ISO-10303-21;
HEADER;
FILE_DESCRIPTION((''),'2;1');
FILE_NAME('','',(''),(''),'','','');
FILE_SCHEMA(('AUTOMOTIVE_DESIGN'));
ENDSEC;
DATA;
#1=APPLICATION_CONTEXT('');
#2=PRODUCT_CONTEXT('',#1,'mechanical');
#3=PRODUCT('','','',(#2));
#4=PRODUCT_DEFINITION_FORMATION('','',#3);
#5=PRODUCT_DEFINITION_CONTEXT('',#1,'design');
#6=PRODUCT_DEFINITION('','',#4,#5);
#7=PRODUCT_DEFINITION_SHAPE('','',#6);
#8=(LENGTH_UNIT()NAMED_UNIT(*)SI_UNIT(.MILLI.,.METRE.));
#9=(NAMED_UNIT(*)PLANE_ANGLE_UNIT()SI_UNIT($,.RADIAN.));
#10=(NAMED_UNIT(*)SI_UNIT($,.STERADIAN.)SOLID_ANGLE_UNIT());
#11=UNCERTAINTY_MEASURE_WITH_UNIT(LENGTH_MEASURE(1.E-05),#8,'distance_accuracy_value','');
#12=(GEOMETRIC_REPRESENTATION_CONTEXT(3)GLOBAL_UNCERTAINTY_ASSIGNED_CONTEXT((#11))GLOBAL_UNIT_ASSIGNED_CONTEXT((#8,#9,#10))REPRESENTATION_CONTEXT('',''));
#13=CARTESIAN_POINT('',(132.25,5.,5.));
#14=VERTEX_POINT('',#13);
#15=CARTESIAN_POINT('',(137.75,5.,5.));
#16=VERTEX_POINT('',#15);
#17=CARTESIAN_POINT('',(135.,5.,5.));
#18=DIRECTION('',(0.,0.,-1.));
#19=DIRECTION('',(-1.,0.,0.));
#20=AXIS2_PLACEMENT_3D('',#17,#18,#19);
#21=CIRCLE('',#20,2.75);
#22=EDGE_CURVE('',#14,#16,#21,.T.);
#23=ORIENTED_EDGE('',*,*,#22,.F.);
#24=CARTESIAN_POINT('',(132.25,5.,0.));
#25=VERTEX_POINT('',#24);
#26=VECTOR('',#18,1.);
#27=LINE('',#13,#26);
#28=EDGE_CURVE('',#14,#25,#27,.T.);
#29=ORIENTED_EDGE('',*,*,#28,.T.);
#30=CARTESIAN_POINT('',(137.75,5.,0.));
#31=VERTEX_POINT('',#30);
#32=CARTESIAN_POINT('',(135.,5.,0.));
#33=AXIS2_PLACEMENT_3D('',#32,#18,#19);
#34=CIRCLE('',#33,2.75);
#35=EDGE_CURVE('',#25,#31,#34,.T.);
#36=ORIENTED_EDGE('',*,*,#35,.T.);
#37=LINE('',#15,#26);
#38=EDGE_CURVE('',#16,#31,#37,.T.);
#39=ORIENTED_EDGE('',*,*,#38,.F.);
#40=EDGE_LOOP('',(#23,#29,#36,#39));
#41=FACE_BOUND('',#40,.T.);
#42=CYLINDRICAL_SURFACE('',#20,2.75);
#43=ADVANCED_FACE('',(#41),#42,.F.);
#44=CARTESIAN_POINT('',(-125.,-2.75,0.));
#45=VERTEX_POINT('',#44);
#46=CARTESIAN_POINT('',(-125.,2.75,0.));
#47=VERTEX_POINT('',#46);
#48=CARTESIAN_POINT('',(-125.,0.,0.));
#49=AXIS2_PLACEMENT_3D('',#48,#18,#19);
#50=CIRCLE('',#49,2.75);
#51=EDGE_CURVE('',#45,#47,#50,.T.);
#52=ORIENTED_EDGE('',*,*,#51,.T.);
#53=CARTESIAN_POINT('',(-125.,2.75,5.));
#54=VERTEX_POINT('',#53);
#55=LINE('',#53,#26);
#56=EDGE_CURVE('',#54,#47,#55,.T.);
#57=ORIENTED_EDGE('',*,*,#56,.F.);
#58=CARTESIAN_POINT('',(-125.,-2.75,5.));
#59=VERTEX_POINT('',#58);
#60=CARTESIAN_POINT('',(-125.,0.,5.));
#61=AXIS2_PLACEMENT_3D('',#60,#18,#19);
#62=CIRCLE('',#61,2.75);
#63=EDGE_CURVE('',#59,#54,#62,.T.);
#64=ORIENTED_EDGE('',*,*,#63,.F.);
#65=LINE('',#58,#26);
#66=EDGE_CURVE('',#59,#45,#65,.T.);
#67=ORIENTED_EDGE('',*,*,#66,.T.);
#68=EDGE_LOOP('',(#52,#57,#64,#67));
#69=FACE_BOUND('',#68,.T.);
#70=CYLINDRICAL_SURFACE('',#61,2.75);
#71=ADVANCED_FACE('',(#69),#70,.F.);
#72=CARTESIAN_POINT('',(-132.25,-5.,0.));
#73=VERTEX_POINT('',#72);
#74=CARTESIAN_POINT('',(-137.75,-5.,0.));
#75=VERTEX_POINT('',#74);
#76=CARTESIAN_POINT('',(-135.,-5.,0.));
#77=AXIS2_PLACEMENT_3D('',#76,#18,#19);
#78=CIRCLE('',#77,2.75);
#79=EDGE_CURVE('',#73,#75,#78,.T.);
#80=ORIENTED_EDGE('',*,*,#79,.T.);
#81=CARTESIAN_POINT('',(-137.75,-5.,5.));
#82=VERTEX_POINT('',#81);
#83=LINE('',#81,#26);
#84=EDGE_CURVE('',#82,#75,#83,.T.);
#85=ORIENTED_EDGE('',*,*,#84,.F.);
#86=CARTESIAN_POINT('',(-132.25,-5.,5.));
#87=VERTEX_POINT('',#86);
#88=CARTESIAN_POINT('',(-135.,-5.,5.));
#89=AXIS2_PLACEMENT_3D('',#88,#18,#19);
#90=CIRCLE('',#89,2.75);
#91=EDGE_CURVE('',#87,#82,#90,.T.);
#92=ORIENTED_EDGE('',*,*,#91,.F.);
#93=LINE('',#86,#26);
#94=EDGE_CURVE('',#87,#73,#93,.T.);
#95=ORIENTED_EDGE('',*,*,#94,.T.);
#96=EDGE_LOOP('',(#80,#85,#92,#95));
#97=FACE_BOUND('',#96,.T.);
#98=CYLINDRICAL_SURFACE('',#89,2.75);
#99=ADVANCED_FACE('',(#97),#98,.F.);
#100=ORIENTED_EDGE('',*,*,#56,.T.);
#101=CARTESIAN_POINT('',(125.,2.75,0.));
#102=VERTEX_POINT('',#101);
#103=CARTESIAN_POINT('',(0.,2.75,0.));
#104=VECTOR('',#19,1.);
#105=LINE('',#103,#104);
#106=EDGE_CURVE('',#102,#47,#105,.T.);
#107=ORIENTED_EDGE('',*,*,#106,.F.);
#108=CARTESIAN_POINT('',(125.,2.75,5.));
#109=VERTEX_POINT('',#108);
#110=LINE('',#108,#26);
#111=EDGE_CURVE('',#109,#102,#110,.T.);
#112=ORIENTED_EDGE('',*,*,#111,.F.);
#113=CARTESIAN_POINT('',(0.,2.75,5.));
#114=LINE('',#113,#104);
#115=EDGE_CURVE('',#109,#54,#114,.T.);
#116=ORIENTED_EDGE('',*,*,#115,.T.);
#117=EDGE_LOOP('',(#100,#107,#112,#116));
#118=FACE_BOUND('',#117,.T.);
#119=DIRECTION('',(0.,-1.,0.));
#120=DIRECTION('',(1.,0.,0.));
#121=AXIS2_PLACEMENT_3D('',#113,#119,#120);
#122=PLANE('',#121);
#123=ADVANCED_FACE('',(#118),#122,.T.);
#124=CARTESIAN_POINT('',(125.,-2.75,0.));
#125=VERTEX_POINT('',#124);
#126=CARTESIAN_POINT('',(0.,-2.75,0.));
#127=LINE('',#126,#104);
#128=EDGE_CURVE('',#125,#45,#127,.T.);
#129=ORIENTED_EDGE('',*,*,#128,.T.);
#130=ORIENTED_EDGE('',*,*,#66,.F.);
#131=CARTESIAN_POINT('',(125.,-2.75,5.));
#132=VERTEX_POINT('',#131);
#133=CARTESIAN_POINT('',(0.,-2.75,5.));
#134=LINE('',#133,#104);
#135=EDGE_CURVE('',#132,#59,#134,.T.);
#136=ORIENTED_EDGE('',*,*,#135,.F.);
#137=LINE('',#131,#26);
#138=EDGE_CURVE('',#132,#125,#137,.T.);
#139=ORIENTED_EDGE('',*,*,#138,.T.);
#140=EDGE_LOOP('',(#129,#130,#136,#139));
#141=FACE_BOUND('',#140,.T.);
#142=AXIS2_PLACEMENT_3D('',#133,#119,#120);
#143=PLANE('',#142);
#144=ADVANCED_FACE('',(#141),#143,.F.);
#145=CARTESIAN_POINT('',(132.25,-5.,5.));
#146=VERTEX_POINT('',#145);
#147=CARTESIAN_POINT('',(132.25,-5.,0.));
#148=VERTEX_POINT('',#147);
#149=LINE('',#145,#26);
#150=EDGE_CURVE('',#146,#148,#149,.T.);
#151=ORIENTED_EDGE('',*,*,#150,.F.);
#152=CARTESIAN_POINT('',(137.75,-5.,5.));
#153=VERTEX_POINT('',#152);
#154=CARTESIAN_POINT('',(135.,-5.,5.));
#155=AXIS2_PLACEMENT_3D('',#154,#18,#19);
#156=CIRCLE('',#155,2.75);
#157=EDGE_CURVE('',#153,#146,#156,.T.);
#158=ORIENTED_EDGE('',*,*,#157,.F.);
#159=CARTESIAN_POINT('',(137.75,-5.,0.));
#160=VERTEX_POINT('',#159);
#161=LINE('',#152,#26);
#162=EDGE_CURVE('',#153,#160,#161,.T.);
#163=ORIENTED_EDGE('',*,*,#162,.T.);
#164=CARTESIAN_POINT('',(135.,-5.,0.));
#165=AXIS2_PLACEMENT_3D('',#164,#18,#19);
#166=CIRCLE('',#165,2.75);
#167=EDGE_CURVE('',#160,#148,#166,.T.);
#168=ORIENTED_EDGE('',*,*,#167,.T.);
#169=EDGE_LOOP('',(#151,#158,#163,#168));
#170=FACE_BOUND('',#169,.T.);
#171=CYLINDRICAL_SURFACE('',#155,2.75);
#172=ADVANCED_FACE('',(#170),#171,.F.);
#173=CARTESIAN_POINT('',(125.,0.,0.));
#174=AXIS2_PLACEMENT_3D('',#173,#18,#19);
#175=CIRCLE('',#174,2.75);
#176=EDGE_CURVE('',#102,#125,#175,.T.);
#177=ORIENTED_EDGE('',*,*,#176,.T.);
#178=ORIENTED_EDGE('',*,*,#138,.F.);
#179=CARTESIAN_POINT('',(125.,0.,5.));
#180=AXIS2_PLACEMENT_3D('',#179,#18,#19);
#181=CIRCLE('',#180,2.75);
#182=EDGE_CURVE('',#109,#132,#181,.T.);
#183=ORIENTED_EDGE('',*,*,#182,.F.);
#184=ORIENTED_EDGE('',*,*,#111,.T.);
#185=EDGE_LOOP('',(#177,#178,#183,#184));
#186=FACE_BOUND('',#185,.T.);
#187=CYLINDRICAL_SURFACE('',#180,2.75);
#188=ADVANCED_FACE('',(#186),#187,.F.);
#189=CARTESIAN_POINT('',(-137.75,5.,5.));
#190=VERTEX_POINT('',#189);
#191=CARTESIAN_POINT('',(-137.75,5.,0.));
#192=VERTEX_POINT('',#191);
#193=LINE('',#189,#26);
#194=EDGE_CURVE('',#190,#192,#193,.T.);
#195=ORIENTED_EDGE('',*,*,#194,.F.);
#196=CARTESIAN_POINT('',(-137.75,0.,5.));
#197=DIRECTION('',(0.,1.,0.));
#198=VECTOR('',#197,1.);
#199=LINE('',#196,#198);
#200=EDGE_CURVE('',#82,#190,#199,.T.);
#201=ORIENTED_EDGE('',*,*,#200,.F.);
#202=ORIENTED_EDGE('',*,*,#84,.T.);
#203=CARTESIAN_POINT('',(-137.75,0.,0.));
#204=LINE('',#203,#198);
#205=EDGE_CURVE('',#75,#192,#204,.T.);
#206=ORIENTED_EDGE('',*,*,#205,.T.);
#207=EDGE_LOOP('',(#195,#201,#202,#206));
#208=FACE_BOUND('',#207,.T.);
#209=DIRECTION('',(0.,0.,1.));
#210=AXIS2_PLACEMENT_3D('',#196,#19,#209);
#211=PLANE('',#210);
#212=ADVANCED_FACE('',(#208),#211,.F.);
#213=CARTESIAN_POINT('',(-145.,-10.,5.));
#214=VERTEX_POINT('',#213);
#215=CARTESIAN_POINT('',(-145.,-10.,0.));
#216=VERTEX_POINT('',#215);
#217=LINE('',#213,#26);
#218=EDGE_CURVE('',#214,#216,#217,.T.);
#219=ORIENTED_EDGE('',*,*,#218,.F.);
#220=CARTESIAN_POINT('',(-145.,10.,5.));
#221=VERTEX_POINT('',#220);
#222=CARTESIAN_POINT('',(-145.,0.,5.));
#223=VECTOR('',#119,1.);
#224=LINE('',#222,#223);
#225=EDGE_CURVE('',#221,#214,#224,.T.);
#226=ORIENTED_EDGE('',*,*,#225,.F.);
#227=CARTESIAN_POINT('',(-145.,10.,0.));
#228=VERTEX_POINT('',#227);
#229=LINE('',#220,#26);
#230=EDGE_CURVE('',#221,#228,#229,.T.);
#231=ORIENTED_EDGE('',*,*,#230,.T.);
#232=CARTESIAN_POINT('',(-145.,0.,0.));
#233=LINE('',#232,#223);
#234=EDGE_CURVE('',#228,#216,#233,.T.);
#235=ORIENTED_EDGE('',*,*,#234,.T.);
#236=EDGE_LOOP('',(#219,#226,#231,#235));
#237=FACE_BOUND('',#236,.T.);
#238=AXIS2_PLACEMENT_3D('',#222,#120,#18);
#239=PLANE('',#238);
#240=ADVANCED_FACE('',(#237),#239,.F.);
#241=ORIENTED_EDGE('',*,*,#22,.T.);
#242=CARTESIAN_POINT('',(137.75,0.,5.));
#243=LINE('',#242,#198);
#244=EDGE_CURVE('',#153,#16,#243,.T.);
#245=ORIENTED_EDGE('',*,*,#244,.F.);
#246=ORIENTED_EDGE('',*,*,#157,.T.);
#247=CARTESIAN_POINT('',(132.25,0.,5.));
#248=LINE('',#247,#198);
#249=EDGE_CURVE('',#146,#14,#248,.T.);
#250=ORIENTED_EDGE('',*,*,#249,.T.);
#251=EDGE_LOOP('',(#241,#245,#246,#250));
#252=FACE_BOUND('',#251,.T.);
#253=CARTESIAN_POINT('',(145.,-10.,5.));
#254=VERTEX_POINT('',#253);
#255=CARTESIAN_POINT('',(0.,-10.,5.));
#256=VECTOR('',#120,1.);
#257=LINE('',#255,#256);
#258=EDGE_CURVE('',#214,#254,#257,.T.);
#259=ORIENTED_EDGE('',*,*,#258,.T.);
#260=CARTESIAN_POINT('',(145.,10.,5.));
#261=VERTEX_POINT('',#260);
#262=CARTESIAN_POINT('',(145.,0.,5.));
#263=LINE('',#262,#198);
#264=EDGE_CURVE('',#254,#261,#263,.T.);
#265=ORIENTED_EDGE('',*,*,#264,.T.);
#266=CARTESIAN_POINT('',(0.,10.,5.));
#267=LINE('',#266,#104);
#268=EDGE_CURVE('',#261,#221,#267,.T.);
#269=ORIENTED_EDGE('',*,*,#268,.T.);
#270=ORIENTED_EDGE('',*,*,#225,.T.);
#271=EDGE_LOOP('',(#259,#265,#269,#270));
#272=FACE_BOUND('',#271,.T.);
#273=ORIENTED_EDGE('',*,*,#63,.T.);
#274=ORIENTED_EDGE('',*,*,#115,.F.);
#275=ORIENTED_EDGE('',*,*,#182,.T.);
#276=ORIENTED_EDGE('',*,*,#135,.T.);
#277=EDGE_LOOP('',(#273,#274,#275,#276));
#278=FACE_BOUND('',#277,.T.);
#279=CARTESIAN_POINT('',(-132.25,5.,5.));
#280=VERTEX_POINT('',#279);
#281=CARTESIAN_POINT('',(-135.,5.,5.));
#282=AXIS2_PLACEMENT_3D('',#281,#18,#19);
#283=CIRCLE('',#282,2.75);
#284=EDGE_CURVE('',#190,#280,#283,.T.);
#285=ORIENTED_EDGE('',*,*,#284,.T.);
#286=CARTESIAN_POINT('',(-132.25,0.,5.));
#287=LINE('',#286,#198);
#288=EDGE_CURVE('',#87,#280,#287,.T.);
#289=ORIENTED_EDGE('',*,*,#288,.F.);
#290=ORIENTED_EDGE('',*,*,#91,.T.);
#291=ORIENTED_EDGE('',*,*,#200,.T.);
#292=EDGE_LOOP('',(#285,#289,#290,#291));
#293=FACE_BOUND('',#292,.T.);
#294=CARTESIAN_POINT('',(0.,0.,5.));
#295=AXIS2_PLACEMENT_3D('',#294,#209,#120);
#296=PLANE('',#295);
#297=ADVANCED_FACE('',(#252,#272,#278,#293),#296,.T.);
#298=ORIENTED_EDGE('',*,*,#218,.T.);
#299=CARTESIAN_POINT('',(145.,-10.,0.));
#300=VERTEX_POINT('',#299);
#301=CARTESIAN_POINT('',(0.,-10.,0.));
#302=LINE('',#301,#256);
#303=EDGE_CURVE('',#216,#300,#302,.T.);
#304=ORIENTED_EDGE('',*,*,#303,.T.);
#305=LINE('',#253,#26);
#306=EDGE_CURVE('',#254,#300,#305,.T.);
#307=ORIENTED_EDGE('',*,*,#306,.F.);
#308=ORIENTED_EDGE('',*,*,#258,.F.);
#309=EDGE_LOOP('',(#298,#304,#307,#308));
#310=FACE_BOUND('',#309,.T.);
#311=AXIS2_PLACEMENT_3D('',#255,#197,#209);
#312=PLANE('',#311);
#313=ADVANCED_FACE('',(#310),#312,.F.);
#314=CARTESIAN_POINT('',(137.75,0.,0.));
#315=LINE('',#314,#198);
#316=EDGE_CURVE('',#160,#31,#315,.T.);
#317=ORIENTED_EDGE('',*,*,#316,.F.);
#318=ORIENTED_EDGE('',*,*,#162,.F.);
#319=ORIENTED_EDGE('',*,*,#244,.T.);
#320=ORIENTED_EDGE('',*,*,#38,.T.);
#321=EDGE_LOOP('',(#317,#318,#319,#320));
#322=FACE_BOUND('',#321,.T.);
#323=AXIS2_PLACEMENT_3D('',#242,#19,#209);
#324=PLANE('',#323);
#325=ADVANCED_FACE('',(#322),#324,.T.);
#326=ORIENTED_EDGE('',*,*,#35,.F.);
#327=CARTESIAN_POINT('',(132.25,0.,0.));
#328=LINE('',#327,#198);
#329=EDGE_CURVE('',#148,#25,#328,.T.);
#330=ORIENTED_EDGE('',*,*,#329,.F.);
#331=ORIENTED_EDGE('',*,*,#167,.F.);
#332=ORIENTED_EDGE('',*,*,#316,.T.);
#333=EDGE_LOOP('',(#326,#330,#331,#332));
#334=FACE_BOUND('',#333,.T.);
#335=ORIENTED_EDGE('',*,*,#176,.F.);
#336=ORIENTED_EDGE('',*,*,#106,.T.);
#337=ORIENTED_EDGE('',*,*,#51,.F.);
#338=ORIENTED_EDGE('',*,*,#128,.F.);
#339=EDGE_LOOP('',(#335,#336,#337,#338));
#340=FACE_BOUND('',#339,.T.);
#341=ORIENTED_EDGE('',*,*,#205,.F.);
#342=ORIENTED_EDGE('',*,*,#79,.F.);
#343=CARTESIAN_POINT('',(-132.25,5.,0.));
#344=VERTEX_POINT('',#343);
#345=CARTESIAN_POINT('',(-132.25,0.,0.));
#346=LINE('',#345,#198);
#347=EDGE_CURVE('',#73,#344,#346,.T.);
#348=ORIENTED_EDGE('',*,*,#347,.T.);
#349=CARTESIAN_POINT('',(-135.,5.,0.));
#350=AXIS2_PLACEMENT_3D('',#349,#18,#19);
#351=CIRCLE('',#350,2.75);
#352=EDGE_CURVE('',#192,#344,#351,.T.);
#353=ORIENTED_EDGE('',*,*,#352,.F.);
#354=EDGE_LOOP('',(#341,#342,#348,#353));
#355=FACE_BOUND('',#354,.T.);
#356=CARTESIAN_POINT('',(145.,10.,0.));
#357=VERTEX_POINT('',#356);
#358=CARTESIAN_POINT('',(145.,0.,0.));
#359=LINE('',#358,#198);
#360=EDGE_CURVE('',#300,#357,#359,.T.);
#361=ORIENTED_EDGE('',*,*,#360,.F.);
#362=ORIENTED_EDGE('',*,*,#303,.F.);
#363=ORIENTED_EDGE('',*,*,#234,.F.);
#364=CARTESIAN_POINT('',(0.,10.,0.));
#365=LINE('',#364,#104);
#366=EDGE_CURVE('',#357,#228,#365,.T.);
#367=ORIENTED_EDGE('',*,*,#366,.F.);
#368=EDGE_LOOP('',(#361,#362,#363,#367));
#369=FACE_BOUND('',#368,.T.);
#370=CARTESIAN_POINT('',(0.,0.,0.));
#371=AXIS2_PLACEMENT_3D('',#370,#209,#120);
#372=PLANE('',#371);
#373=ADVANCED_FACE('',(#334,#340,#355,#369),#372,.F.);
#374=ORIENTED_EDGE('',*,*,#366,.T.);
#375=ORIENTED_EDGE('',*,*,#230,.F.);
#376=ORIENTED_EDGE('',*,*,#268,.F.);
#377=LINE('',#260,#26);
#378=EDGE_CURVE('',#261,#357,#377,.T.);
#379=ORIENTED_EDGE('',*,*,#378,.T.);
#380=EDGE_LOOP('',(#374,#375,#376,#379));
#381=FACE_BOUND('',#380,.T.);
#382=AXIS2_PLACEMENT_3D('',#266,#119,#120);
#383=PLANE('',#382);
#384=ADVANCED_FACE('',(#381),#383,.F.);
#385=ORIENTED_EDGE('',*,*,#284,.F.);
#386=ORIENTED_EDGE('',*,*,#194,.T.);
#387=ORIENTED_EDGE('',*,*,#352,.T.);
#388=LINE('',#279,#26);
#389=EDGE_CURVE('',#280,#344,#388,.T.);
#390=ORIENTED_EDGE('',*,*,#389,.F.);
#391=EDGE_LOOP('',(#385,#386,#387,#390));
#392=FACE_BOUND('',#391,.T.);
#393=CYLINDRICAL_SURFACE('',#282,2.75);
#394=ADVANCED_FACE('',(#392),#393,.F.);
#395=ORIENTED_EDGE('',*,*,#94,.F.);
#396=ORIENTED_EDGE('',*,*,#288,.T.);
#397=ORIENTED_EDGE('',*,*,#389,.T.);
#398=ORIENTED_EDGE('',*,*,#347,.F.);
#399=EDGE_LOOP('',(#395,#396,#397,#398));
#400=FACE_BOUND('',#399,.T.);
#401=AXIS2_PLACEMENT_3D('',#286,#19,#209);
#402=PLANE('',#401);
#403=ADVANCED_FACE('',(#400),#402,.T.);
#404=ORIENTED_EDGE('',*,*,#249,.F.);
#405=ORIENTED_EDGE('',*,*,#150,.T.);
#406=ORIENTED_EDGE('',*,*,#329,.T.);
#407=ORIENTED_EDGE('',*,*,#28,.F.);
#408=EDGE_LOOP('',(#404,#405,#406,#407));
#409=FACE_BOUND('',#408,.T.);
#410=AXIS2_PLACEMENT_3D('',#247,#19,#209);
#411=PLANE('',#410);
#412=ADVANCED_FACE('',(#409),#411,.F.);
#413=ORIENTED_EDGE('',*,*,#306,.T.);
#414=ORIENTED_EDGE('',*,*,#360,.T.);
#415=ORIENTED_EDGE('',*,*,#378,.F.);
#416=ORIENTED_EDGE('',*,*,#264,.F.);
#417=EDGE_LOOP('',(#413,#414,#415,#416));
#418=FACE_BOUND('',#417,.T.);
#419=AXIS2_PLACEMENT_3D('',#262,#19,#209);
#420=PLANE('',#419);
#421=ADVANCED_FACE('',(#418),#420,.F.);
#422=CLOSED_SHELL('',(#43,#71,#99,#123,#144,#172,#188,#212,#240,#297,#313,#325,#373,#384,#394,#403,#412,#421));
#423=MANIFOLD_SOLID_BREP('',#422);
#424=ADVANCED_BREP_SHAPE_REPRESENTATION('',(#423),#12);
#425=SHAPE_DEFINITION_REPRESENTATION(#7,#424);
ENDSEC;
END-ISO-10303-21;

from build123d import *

# Parameters (mm, degrees)
EXTRUDE_1_DEPTH     = 5
CUT_EXTRUDE_1_DEPTH = 5


with BuildPart() as part:
    # 草图1 → 凸台-拉伸1 (new body)
    with BuildSketch(Plane.XY):
        Polygon((145, 10), (0, 10), (-145, 10), (-145, -10), (145, -10), align=None)
    extrude(amount=EXTRUDE_1_DEPTH)

    # 草图3 → 切除-拉伸1 (cut)
    with BuildSketch(Plane(origin=(0, 0, 0), x_dir=(-1, 0, 0), z_dir=(0, 0, -1))):
        with BuildLine():
            Line((-135, 5), (-135, 0))
            Line((-135, 0), (-132.25, 0))
            Line((-132.25, 0), (-132.25, 5))
            ThreePointArc((-132.25, 5), (-133.055456352, 6.944543648), (-135, 7.75))
            Line((-135, 7.75), (-135, 5))
        make_face()
        with BuildLine():
            Line((-137.75, 5), (-137.75, 0))
            Line((-137.75, 0), (-135, 0))
            Line((-135, 0), (-135, 5))
            Line((-135, 5), (-135, 7.75))
            ThreePointArc((-135, 7.75), (-136.944543648, 6.944543648), (-137.75, 5))
        make_face()
        with BuildLine():
            Line((-135, 0), (-137.75, 0))
            Line((-137.75, 0), (-137.75, -5))
            ThreePointArc((-137.75, -5), (-136.944543648, -6.944543648), (-135, -7.75))
            Line((-135, -7.75), (-135, -5))
            Line((-135, -5), (-135, 0))
        make_face()
        with BuildLine():
            Line((-132.25, 0), (-135, 0))
            Line((-135, 0), (-135, -5))
            Line((-135, -5), (-135, -7.75))
            ThreePointArc((-135, -7.75), (-133.055456352, -6.944543648), (-132.25, -5))
            Line((-132.25, -5), (-132.25, 0))
        make_face()
        with BuildLine():
            Line((-125, 0), (-127.75, 0))
            ThreePointArc((-127.75, 0), (-126.944543648, -1.944543648), (-125, -2.75))
            Line((-125, -2.75), (125, -2.75))
            ThreePointArc((125, -2.75), (126.944543648, -1.944543648), (127.75, 0))
            Line((127.75, 0), (125, 0))
            Line((125, 0), (-125, 0))
        make_face()
        with BuildLine():
            ThreePointArc((-125, 2.75), (-126.944543648, 1.944543648), (-127.75, 0))
            Line((-127.75, 0), (-125, 0))
            Line((-125, 0), (125, 0))
            Line((125, 0), (127.75, 0))
            ThreePointArc((127.75, 0), (126.944543648, 1.944543648), (125, 2.75))
            Line((125, 2.75), (-125, 2.75))
        make_face()
        with BuildLine():
            Line((135, 5), (135, 0))
            Line((135, 0), (137.75, 0))
            Line((137.75, 0), (137.75, 5))
            ThreePointArc((137.75, 5), (136.944543648, 6.944543648), (135, 7.75))
            Line((135, 7.75), (135, 5))
        make_face()
        with BuildLine():
            Line((132.25, 5), (132.25, 0))
            Line((132.25, 0), (135, 0))
            Line((135, 0), (135, 5))
            Line((135, 5), (135, 7.75))
            ThreePointArc((135, 7.75), (133.055456352, 6.944543648), (132.25, 5))
        make_face()
        with BuildLine():
            Line((135, 0), (132.25, 0))
            Line((132.25, 0), (132.25, -5))
            ThreePointArc((132.25, -5), (133.055456352, -6.944543648), (135, -7.75))
            Line((135, -7.75), (135, -5))
            Line((135, -5), (135, 0))
        make_face()
        with BuildLine():
            Line((137.75, 0), (135, 0))
            Line((135, 0), (135, -5))
            Line((135, -5), (135, -7.75))
            ThreePointArc((135, -7.75), (136.944543648, -6.944543648), (137.75, -5))
            Line((137.75, -5), (137.75, 0))
        make_face()
    extrude(amount=-CUT_EXTRUDE_1_DEPTH, mode=Mode.SUBTRACT)


solid = part.part
